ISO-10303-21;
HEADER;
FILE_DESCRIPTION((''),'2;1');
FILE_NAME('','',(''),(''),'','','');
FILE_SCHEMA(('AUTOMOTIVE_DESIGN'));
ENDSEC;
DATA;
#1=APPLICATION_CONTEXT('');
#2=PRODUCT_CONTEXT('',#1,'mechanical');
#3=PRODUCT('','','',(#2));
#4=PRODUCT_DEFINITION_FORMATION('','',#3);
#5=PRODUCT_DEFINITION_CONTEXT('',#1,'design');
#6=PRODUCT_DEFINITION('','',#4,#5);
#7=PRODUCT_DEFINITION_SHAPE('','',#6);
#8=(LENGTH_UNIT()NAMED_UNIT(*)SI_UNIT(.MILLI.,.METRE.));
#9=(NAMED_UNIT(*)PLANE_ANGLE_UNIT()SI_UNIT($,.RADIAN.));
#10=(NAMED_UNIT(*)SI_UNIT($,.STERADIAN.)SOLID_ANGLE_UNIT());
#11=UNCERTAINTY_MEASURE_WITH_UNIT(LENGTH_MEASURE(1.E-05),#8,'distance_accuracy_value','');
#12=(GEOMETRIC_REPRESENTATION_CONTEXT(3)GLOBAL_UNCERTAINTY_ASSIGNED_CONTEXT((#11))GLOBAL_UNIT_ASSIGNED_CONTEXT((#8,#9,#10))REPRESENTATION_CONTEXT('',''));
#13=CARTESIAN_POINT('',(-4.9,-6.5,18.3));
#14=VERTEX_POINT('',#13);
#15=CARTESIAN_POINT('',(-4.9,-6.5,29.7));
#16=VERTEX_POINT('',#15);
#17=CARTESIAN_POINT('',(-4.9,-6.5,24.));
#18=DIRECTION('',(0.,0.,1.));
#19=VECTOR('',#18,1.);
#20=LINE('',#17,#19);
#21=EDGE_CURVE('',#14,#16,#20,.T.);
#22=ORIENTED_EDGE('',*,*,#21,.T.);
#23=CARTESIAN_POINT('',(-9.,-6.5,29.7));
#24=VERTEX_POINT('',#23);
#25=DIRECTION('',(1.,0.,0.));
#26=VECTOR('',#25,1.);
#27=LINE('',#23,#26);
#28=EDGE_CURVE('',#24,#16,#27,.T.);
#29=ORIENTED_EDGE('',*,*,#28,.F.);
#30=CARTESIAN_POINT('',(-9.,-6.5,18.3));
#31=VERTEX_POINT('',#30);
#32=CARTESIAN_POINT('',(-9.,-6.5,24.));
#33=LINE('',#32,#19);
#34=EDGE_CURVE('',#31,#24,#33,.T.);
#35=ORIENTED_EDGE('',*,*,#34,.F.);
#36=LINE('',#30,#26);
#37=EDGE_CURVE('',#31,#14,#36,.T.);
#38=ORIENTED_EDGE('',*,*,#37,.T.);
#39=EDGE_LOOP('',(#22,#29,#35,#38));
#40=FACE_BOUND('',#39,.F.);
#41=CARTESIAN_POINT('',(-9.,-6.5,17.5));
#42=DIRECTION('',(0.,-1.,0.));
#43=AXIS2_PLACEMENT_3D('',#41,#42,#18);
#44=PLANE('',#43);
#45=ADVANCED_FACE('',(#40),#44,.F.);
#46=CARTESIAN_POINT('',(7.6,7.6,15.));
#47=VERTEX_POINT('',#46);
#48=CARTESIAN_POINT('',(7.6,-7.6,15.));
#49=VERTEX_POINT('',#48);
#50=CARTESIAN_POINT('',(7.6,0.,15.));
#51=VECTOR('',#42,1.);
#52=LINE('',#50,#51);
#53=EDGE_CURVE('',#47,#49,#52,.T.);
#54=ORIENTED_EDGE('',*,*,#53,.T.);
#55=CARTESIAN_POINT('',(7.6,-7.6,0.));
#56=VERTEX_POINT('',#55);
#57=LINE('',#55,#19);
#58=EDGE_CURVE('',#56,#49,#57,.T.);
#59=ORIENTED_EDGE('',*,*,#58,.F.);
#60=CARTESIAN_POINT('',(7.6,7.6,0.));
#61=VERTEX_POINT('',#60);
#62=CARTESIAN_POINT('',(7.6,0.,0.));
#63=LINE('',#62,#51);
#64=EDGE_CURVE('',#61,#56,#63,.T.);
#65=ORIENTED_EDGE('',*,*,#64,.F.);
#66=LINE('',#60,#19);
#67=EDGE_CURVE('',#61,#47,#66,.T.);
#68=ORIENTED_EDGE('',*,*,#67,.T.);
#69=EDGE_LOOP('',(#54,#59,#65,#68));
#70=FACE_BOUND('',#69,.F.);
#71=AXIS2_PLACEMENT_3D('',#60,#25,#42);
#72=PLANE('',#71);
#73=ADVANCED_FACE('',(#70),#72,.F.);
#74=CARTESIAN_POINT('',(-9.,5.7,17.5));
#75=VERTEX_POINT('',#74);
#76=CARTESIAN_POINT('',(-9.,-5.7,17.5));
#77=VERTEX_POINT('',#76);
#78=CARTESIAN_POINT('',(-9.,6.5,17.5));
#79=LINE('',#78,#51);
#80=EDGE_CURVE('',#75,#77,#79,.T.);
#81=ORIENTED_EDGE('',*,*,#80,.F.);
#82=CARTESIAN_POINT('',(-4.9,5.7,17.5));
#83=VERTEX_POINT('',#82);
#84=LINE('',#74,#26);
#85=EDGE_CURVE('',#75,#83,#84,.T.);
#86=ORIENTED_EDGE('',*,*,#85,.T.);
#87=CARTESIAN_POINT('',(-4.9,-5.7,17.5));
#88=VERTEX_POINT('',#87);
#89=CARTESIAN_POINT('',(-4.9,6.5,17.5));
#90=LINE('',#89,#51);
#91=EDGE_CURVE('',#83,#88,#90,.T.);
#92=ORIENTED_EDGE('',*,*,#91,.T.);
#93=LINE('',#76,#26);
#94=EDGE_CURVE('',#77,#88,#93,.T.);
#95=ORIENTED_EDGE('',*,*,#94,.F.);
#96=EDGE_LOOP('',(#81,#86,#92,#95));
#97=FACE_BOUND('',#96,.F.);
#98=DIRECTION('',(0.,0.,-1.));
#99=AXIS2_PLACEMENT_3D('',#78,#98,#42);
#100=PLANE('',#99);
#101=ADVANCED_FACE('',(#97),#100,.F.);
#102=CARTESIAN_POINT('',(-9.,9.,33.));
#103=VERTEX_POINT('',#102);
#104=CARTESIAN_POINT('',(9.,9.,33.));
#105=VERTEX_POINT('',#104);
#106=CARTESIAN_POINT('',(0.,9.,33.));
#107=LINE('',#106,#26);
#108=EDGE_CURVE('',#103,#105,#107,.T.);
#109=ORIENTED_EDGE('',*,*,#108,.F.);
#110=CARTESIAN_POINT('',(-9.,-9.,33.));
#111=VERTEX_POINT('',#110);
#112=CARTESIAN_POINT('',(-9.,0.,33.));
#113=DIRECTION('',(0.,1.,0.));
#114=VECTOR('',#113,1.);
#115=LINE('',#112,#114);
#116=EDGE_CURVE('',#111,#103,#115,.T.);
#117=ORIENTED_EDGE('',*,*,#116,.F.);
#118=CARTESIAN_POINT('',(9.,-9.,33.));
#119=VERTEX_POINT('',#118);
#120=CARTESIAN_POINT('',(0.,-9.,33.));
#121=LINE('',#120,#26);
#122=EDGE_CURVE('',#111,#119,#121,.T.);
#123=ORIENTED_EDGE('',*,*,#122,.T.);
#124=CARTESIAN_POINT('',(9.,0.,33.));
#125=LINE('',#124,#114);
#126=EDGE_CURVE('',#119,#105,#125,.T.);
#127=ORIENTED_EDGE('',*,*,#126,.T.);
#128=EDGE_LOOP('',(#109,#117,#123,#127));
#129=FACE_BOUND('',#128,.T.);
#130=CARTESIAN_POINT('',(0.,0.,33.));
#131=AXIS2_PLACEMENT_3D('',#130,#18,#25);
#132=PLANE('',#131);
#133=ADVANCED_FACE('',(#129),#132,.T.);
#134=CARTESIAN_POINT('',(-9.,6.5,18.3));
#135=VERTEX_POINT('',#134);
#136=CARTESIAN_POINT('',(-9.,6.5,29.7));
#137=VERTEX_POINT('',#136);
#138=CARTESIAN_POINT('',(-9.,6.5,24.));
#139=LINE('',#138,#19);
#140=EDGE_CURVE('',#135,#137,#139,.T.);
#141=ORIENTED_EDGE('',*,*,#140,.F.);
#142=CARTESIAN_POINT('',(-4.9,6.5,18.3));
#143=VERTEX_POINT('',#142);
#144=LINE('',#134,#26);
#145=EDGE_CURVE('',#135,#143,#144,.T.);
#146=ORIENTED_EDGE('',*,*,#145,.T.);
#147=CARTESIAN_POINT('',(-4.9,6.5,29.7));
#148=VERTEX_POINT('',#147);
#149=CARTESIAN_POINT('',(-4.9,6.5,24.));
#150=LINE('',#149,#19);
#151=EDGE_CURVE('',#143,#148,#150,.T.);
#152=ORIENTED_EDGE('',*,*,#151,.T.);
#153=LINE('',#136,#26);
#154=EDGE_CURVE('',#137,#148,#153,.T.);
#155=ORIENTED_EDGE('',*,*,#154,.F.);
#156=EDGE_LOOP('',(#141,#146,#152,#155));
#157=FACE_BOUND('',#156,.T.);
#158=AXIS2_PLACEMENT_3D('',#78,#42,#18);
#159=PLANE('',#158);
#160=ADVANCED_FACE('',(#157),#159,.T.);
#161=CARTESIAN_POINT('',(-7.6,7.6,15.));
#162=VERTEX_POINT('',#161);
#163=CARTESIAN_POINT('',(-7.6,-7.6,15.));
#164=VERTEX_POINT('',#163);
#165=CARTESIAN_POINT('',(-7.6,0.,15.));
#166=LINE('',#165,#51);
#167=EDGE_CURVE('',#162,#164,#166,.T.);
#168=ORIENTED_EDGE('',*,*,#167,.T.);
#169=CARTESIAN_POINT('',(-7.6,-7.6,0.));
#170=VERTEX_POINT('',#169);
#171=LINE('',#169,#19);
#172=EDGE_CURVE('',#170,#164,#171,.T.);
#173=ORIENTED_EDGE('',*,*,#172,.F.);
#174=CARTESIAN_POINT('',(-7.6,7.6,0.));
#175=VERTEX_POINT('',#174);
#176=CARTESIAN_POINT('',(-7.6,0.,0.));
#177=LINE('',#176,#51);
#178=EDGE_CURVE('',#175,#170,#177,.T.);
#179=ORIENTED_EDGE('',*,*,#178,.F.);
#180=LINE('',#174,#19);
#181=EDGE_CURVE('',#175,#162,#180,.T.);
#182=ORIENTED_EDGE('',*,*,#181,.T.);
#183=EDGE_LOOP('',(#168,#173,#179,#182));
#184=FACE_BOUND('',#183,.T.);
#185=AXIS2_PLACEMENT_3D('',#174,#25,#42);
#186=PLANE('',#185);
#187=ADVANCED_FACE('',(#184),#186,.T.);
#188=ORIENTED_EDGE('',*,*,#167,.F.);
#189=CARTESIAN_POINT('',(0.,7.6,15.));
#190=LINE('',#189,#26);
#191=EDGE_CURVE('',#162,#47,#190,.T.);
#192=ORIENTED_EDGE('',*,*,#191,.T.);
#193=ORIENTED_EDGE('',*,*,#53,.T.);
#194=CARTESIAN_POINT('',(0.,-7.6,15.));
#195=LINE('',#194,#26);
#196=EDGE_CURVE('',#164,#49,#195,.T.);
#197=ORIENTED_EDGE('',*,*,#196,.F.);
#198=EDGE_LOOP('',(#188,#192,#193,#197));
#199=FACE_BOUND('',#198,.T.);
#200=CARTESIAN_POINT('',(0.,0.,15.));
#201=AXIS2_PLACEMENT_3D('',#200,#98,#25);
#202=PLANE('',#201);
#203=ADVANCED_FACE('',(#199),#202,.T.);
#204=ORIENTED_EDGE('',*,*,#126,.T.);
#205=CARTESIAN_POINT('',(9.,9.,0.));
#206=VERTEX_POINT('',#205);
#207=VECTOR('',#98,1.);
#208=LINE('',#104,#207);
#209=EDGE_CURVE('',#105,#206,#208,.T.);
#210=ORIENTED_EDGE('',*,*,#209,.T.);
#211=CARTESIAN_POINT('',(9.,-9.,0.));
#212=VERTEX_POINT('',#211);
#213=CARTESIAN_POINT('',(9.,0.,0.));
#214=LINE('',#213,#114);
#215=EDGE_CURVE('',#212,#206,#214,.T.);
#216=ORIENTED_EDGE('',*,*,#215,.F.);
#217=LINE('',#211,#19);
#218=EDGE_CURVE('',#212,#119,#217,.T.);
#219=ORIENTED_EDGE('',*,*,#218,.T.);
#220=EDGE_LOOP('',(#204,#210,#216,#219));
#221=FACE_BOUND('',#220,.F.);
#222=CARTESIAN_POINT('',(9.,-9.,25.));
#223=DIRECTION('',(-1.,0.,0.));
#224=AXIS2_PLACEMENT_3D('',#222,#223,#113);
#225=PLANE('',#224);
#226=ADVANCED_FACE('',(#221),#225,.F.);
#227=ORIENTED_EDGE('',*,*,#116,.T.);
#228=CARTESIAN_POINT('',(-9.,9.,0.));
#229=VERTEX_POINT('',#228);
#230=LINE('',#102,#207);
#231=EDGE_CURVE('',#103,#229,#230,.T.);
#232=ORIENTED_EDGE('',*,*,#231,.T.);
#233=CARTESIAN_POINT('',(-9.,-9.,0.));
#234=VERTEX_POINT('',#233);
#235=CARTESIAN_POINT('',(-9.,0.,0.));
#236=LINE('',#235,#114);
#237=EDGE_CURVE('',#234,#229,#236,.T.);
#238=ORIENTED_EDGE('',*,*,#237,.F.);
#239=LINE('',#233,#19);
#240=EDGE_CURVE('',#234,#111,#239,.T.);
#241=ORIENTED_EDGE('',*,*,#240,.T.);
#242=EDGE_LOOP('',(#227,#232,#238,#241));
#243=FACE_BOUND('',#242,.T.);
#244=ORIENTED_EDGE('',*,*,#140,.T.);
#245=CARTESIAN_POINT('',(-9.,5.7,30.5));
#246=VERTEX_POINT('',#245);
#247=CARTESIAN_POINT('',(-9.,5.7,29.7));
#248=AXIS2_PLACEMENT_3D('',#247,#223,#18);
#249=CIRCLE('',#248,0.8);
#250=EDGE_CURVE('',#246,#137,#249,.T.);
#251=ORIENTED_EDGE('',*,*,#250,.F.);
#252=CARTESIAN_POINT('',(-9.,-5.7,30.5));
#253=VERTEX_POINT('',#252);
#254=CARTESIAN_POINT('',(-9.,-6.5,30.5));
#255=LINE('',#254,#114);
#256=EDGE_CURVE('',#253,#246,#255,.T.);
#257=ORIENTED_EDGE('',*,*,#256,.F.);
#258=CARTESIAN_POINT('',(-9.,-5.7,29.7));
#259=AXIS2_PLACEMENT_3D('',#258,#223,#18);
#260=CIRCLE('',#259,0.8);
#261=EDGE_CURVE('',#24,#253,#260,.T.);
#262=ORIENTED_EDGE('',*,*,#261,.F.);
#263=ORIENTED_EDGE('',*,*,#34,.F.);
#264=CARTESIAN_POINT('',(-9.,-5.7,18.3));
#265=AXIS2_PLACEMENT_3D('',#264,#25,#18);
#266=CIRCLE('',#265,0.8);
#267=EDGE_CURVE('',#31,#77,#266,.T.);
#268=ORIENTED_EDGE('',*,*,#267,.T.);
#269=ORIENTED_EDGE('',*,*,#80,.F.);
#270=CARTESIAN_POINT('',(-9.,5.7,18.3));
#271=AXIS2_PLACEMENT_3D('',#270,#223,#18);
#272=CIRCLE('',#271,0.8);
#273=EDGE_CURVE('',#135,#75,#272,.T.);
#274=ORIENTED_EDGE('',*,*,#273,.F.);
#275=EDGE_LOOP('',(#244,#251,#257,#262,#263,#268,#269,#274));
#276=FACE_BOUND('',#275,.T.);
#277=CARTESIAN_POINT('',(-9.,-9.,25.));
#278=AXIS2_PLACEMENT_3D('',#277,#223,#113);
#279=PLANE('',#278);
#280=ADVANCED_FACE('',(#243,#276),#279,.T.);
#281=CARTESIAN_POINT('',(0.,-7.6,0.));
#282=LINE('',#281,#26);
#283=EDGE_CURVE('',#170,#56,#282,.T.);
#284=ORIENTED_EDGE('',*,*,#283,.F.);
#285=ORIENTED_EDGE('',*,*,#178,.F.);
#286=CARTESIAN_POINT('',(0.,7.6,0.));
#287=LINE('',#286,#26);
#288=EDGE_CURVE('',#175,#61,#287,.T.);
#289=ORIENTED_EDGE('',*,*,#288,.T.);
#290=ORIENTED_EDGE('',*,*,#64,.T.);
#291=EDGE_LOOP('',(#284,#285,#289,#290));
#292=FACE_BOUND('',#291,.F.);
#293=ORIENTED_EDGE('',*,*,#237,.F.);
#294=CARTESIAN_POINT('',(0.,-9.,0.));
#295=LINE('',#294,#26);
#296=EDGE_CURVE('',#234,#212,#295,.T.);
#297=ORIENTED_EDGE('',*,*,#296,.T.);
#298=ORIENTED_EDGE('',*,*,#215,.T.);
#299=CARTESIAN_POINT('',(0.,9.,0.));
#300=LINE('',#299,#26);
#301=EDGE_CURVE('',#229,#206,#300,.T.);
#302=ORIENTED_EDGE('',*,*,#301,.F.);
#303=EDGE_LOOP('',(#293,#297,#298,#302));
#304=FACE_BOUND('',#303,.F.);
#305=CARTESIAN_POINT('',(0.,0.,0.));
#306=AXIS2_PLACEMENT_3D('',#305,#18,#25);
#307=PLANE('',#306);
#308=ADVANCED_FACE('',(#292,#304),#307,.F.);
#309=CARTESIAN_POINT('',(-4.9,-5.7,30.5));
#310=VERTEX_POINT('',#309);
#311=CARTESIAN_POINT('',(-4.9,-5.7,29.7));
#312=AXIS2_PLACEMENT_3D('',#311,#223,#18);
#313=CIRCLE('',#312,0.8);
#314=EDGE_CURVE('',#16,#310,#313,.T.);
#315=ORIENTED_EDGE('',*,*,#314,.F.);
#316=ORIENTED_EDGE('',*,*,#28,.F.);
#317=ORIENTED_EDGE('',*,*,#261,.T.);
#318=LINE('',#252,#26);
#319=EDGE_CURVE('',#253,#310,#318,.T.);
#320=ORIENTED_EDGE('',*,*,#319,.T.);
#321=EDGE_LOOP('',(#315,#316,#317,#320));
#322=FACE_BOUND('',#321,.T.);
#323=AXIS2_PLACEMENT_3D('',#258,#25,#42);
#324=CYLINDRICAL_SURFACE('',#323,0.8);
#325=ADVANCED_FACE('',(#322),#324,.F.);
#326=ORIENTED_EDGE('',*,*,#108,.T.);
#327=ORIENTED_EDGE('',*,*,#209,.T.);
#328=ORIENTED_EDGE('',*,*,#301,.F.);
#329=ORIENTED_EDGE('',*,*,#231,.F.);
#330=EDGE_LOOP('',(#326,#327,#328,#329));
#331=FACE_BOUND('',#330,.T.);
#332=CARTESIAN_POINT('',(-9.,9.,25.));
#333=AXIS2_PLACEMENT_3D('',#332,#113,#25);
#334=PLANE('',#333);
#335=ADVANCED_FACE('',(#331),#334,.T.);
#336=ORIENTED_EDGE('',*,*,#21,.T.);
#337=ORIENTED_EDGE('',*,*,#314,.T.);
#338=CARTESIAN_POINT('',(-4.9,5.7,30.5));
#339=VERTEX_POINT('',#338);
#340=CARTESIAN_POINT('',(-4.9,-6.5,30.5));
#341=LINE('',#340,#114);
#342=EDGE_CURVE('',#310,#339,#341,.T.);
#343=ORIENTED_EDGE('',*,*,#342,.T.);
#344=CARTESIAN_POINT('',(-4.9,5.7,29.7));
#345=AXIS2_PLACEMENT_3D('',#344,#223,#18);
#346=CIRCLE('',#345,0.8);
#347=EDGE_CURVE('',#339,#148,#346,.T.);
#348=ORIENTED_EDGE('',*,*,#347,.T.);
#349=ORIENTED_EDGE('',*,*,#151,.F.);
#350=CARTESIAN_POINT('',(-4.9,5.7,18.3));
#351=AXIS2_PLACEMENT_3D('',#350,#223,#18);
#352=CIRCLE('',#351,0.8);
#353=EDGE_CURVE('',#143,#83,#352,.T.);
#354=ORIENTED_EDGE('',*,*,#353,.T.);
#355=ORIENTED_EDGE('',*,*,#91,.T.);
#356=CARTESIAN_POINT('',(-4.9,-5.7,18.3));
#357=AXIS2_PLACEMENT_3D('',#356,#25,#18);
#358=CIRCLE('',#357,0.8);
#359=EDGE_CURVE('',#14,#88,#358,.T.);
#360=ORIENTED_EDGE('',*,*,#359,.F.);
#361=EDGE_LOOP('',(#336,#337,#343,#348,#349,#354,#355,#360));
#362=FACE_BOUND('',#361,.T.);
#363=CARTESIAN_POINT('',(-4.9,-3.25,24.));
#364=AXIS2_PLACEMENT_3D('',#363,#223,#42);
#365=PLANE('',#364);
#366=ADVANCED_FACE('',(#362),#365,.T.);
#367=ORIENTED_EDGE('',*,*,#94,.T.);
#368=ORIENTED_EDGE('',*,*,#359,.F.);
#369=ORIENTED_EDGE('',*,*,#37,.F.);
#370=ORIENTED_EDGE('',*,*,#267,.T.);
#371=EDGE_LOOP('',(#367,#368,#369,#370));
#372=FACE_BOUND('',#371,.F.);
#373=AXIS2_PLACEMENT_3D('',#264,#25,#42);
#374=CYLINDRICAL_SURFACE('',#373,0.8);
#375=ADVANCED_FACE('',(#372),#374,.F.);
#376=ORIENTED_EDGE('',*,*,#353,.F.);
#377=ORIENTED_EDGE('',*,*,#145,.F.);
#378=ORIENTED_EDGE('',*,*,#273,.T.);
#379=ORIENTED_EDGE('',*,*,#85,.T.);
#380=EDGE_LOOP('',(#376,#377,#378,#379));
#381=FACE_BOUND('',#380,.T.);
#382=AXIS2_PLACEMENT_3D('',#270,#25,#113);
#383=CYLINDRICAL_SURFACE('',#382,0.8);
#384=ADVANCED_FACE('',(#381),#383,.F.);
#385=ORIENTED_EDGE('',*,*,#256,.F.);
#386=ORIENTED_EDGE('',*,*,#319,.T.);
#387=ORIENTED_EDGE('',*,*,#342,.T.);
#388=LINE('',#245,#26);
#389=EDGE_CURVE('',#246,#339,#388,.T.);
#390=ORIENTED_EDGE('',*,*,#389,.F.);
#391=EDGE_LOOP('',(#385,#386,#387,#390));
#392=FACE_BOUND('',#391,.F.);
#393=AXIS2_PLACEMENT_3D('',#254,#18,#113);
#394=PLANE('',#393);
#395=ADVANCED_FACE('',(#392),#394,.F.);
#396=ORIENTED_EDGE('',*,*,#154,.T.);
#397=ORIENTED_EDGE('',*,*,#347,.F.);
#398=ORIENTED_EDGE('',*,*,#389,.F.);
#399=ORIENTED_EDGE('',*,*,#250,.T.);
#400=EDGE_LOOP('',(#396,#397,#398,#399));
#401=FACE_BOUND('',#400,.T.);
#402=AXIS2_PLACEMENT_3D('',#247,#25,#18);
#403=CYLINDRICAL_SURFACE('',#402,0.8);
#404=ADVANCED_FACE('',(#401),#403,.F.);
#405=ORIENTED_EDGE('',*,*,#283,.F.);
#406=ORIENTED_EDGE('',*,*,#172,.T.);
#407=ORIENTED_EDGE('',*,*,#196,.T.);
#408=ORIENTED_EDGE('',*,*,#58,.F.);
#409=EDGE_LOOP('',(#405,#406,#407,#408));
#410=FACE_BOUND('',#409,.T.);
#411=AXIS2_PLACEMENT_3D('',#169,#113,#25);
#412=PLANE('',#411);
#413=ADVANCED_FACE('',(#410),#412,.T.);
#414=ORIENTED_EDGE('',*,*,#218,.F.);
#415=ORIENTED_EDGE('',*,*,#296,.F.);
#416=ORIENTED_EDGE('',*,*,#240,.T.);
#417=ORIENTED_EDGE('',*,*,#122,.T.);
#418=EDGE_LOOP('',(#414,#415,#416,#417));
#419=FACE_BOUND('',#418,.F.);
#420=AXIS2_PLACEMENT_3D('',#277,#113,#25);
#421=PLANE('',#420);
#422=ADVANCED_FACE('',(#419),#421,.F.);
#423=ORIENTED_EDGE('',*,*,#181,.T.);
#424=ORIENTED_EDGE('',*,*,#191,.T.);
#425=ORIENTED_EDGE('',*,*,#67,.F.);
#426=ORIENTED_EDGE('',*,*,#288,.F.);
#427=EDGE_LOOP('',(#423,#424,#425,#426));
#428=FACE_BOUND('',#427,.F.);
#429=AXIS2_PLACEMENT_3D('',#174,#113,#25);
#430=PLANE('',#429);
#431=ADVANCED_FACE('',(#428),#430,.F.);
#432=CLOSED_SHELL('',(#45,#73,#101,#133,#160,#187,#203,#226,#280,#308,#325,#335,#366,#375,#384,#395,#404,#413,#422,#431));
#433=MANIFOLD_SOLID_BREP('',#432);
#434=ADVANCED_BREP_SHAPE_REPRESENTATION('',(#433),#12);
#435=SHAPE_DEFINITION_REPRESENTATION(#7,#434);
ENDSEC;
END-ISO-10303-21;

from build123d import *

# Parameters (mm, degrees)
F0_W      = 18
F0_H      = 18
F1_DEPTH  = 25
F1_FACE_W = 18
F1_FACE_H = 18
F2_DEPTH  = 8
F3_W      = 6.5
F3_H      = 13
F4_DEPTH  = 4.1
F5_W      = 15.2
F5_H      = 15.2
F6_DEPTH  = 15
F7_R      = 0.8


with BuildPart() as f1:
    # F0 (on Top) → F1 (new body)
    with BuildSketch(Plane.XY):
        Rectangle(F0_W, F0_H)
    extrude(amount=F1_DEPTH)

    # F1_face (on face) → F2 (join)
    with BuildSketch(Plane.XY.offset(25)):
        Rectangle(F1_FACE_W, F1_FACE_H)
    extrude(amount=F2_DEPTH)

    # F3 (on face) → F4 (cut)
    with BuildSketch(Plane(origin=(-9, 0, 0), x_dir=(0, -1, 0), z_dir=(-1, 0, 0))):
        with Locations((3.25, 24)):
            Rectangle(F3_W, F3_H)
        with Locations((-3.25, 24)):
            Rectangle(F3_W, F3_H)
    extrude(amount=-F4_DEPTH, mode=Mode.SUBTRACT)

    # F5 (on face) → F6 (cut)
    with BuildSketch(Plane(origin=(0, 0, 0), x_dir=(1, 0, 0), z_dir=(0, 0, -1))):
        Rectangle(F5_W, F5_H)
    extrude(amount=-F6_DEPTH, mode=Mode.SUBTRACT)

    # F7
    f7_edges = [f1.edges().sort_by_distance(p)[0] for p in [
        (-6.95, 6.5, 30.5),
        (-6.95, -6.5, 30.5),
        (-6.95, -6.5, 17.5),
        (-6.95, 6.5, 17.5),
    ]]
    fillet(f7_edges, radius=F7_R)


solid = f1.part
